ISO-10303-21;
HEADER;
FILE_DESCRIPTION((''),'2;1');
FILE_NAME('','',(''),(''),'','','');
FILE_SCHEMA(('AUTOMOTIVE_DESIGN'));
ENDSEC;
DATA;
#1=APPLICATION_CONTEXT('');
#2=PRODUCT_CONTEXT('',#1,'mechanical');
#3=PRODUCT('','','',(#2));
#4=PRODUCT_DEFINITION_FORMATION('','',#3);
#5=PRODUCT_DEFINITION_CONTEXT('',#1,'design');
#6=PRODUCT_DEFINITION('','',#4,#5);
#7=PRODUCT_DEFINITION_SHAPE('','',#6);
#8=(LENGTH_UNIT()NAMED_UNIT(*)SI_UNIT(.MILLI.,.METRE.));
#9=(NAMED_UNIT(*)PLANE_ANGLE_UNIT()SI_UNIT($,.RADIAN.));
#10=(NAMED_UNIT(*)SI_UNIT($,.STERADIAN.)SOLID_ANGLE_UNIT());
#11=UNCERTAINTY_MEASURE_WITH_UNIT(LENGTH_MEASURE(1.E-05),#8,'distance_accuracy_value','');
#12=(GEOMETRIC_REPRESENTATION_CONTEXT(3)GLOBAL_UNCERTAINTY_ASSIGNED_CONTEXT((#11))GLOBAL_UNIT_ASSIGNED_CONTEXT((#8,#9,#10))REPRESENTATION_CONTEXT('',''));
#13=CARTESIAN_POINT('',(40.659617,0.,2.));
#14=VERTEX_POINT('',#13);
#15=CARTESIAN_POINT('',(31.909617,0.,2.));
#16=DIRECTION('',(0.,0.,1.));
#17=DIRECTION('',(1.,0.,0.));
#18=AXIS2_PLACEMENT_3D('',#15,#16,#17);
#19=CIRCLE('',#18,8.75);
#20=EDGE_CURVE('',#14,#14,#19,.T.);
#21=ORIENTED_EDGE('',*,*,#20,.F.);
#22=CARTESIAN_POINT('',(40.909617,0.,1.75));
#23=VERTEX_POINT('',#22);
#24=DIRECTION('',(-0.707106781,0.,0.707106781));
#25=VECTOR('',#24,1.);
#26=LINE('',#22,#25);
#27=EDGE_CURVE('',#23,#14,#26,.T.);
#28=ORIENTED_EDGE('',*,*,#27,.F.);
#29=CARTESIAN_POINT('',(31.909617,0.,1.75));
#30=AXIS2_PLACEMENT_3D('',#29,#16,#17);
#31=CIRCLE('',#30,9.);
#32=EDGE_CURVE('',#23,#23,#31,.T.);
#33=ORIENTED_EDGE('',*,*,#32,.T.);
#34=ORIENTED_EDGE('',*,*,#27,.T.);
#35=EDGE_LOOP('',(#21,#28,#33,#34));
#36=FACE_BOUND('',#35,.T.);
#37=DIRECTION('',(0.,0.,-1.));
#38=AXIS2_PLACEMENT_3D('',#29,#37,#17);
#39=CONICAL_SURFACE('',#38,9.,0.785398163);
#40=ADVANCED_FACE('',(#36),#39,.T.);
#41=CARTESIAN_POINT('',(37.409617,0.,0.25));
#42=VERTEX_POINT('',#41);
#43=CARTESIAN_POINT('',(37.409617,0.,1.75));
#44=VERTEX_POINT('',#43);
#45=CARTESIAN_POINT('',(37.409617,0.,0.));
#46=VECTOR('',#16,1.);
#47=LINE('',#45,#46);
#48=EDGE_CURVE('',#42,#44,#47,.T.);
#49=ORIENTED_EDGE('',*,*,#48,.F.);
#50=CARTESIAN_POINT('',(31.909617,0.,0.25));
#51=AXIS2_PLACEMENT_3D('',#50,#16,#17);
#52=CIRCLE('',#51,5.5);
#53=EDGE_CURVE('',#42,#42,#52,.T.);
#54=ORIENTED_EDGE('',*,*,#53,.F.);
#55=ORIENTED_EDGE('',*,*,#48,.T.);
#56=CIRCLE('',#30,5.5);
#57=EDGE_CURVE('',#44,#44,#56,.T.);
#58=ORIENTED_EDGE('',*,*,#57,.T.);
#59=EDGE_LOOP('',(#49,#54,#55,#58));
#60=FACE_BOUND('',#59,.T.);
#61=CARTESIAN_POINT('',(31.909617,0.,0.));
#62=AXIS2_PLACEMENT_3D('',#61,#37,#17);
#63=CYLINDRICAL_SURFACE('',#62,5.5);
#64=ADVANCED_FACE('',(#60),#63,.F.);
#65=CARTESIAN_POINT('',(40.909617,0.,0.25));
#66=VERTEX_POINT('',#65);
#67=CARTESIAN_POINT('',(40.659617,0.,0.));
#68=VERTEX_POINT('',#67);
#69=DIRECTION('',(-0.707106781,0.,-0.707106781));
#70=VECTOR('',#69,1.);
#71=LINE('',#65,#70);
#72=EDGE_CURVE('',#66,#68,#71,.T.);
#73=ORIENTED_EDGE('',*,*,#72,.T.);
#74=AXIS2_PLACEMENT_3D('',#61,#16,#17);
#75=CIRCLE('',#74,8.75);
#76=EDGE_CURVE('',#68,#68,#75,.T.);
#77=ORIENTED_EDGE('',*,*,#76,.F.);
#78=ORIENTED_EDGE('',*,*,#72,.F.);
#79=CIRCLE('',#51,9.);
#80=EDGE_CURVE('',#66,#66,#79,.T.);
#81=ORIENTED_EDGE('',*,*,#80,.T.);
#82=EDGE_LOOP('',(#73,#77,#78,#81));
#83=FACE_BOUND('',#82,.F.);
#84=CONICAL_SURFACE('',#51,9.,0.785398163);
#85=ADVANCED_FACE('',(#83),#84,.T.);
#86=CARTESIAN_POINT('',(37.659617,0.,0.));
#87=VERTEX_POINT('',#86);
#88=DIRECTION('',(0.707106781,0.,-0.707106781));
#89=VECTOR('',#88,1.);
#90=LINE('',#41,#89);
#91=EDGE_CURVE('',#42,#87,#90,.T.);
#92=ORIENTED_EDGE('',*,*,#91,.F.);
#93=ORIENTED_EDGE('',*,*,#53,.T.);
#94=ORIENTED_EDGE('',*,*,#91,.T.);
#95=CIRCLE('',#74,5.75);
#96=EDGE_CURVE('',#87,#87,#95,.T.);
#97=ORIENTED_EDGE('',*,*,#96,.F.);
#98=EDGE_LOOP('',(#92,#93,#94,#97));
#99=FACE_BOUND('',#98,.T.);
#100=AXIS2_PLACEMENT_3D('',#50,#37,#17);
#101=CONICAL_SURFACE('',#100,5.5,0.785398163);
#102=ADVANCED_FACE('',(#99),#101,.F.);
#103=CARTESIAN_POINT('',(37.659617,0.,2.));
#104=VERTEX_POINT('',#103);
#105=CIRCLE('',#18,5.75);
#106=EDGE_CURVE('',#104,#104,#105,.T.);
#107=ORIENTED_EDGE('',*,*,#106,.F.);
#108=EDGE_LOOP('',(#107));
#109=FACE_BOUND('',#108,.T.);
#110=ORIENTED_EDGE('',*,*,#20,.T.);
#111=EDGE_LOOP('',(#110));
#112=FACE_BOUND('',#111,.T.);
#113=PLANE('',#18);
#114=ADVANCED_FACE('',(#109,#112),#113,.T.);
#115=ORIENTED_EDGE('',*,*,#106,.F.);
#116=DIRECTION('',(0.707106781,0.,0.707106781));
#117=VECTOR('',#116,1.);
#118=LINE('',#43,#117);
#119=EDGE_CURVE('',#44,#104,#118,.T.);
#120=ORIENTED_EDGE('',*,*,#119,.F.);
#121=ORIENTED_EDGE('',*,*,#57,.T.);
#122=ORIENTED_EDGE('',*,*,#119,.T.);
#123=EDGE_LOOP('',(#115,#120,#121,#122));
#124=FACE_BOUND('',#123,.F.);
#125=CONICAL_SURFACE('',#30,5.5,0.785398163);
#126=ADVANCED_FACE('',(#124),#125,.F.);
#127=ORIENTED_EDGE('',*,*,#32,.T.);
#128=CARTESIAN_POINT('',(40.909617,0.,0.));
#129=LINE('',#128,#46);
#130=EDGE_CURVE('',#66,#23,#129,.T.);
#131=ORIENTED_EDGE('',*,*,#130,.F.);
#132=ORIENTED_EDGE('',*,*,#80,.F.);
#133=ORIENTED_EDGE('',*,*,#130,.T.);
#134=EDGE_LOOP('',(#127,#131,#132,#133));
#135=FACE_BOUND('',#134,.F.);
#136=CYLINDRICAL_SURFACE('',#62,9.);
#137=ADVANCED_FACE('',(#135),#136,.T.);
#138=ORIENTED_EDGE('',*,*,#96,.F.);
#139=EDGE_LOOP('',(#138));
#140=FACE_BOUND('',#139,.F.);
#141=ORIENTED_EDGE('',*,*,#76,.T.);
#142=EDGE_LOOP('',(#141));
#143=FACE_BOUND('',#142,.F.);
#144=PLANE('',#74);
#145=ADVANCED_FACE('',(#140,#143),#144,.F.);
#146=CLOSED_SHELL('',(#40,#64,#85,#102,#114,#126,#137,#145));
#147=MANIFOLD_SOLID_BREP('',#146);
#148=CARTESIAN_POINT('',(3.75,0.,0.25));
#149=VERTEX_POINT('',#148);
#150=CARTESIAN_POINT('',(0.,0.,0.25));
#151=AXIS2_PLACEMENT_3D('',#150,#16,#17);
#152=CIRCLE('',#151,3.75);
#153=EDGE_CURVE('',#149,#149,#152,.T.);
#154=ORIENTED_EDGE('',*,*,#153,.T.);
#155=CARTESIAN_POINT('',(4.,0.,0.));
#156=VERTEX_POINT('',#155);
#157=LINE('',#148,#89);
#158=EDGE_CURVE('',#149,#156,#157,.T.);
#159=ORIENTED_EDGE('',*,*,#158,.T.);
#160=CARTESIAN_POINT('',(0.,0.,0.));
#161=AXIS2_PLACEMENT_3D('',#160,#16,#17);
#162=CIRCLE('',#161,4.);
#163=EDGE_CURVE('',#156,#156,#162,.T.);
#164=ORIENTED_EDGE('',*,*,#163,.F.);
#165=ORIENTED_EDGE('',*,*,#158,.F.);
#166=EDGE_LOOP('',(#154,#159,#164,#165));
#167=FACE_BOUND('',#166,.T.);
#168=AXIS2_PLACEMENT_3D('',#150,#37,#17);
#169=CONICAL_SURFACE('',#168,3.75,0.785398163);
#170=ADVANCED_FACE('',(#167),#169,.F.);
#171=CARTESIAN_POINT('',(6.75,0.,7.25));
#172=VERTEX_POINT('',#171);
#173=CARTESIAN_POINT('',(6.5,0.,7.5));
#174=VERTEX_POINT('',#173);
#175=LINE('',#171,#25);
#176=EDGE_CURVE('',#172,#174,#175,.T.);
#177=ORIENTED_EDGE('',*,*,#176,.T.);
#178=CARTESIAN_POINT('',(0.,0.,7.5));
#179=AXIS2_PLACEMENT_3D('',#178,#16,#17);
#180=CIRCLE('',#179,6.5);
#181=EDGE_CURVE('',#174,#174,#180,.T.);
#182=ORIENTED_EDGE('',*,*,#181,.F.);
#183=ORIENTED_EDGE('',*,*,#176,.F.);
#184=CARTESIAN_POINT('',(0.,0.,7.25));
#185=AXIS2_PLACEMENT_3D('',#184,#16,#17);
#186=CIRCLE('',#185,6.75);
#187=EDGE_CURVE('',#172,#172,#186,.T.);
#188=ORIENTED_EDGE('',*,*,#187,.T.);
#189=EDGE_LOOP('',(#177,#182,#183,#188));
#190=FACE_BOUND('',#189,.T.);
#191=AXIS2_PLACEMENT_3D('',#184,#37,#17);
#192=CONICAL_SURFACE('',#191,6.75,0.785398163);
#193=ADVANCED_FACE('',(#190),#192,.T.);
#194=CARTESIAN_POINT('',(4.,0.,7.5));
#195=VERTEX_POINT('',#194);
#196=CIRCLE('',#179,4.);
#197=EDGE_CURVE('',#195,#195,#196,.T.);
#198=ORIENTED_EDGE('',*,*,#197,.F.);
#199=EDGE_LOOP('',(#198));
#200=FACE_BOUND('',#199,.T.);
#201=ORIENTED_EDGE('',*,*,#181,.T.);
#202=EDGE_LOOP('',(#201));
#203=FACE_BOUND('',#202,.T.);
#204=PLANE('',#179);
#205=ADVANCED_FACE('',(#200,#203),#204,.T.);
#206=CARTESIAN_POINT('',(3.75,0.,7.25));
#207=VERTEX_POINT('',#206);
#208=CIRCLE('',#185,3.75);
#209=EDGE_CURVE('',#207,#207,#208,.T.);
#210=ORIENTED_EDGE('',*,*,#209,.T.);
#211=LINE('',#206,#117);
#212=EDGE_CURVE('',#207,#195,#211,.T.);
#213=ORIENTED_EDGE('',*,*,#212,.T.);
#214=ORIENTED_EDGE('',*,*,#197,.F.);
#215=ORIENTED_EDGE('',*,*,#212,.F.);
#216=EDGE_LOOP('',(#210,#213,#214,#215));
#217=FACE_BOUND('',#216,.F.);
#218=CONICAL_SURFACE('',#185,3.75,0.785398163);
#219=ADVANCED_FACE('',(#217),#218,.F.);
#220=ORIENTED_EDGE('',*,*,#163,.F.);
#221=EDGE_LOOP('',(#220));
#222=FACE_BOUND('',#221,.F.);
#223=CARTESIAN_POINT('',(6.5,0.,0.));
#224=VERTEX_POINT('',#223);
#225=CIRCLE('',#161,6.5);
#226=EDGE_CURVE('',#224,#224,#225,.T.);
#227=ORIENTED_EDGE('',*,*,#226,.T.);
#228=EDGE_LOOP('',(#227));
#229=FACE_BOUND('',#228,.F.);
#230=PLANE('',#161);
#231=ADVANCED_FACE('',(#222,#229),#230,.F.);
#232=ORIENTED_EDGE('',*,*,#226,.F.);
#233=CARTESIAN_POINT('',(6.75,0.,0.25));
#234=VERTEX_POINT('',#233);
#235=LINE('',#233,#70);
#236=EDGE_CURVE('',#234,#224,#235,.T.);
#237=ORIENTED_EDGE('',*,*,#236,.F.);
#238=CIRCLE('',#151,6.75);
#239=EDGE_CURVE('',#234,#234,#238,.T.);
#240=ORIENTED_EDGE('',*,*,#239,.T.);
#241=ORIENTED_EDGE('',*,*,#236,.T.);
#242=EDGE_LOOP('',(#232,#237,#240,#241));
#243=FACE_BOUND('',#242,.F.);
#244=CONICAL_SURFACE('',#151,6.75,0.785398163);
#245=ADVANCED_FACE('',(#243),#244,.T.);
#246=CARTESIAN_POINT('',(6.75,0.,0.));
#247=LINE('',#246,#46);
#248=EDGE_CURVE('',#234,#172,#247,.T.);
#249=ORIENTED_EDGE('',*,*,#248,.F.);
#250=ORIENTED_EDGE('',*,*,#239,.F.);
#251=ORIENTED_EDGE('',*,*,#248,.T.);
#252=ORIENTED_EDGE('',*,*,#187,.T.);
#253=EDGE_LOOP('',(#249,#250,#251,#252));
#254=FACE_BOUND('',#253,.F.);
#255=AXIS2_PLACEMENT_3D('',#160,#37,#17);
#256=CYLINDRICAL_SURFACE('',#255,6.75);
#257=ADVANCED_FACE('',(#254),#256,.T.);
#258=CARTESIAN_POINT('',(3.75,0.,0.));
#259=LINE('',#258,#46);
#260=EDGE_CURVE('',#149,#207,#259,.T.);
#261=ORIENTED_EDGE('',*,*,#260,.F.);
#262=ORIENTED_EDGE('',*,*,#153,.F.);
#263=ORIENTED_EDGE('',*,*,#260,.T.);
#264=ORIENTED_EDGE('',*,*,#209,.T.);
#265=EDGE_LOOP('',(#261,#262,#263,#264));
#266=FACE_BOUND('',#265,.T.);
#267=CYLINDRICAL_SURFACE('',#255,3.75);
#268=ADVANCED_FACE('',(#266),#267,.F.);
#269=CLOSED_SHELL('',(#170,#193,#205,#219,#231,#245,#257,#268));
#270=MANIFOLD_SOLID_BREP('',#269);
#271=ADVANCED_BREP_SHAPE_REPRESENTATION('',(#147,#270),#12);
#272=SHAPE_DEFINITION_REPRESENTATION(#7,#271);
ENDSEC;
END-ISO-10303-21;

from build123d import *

# Parameters (mm, degrees)
F0_R      = 6.75
F0_R_2    = 3.75
F1_DEPTH  = 7.5
F2_R      = 9
F2_R_2    = 5.5
F3_DEPTH  = 2
F4_SIZE   = 0.25
F4_2_SIZE = 0.25


with BuildPart() as f1:
    # F0 (on Top) → F1 (new body)
    with BuildSketch(Plane.XY):
        Circle(F0_R)
        Circle(F0_R_2, mode=Mode.SUBTRACT)
    extrude(amount=F1_DEPTH)

    # F4
    f4_edges = [f1.edges().sort_by_distance(p)[0] for p in [
        (-6.75, 0, 7.5),
        (-3.75, 0, 7.5),
        (-6.75, 0, 0),
        (-3.75, 0, 0),
    ]]
    chamfer(f4_edges, length=F4_SIZE)


with BuildPart() as f3:
    # F2 (on Top) → F3 (new body)
    with BuildSketch(Plane.XY):
        with Locations((31.909617, 0)):
            Circle(F2_R)
        with Locations((31.909617, 0)):
            Circle(F2_R_2, mode=Mode.SUBTRACT)
    extrude(amount=F3_DEPTH)

    # F4#2
    f4_2_edges = [f3.edges().sort_by_distance(p)[0] for p in [
        (22.909617, 0, 2),
        (26.409617, 0, 2),
        (26.409617, 0, 0),
        (22.909617, 0, 0),
    ]]
    chamfer(f4_2_edges, length=F4_2_SIZE)


solid = Compound([f1.part, f3.part])
